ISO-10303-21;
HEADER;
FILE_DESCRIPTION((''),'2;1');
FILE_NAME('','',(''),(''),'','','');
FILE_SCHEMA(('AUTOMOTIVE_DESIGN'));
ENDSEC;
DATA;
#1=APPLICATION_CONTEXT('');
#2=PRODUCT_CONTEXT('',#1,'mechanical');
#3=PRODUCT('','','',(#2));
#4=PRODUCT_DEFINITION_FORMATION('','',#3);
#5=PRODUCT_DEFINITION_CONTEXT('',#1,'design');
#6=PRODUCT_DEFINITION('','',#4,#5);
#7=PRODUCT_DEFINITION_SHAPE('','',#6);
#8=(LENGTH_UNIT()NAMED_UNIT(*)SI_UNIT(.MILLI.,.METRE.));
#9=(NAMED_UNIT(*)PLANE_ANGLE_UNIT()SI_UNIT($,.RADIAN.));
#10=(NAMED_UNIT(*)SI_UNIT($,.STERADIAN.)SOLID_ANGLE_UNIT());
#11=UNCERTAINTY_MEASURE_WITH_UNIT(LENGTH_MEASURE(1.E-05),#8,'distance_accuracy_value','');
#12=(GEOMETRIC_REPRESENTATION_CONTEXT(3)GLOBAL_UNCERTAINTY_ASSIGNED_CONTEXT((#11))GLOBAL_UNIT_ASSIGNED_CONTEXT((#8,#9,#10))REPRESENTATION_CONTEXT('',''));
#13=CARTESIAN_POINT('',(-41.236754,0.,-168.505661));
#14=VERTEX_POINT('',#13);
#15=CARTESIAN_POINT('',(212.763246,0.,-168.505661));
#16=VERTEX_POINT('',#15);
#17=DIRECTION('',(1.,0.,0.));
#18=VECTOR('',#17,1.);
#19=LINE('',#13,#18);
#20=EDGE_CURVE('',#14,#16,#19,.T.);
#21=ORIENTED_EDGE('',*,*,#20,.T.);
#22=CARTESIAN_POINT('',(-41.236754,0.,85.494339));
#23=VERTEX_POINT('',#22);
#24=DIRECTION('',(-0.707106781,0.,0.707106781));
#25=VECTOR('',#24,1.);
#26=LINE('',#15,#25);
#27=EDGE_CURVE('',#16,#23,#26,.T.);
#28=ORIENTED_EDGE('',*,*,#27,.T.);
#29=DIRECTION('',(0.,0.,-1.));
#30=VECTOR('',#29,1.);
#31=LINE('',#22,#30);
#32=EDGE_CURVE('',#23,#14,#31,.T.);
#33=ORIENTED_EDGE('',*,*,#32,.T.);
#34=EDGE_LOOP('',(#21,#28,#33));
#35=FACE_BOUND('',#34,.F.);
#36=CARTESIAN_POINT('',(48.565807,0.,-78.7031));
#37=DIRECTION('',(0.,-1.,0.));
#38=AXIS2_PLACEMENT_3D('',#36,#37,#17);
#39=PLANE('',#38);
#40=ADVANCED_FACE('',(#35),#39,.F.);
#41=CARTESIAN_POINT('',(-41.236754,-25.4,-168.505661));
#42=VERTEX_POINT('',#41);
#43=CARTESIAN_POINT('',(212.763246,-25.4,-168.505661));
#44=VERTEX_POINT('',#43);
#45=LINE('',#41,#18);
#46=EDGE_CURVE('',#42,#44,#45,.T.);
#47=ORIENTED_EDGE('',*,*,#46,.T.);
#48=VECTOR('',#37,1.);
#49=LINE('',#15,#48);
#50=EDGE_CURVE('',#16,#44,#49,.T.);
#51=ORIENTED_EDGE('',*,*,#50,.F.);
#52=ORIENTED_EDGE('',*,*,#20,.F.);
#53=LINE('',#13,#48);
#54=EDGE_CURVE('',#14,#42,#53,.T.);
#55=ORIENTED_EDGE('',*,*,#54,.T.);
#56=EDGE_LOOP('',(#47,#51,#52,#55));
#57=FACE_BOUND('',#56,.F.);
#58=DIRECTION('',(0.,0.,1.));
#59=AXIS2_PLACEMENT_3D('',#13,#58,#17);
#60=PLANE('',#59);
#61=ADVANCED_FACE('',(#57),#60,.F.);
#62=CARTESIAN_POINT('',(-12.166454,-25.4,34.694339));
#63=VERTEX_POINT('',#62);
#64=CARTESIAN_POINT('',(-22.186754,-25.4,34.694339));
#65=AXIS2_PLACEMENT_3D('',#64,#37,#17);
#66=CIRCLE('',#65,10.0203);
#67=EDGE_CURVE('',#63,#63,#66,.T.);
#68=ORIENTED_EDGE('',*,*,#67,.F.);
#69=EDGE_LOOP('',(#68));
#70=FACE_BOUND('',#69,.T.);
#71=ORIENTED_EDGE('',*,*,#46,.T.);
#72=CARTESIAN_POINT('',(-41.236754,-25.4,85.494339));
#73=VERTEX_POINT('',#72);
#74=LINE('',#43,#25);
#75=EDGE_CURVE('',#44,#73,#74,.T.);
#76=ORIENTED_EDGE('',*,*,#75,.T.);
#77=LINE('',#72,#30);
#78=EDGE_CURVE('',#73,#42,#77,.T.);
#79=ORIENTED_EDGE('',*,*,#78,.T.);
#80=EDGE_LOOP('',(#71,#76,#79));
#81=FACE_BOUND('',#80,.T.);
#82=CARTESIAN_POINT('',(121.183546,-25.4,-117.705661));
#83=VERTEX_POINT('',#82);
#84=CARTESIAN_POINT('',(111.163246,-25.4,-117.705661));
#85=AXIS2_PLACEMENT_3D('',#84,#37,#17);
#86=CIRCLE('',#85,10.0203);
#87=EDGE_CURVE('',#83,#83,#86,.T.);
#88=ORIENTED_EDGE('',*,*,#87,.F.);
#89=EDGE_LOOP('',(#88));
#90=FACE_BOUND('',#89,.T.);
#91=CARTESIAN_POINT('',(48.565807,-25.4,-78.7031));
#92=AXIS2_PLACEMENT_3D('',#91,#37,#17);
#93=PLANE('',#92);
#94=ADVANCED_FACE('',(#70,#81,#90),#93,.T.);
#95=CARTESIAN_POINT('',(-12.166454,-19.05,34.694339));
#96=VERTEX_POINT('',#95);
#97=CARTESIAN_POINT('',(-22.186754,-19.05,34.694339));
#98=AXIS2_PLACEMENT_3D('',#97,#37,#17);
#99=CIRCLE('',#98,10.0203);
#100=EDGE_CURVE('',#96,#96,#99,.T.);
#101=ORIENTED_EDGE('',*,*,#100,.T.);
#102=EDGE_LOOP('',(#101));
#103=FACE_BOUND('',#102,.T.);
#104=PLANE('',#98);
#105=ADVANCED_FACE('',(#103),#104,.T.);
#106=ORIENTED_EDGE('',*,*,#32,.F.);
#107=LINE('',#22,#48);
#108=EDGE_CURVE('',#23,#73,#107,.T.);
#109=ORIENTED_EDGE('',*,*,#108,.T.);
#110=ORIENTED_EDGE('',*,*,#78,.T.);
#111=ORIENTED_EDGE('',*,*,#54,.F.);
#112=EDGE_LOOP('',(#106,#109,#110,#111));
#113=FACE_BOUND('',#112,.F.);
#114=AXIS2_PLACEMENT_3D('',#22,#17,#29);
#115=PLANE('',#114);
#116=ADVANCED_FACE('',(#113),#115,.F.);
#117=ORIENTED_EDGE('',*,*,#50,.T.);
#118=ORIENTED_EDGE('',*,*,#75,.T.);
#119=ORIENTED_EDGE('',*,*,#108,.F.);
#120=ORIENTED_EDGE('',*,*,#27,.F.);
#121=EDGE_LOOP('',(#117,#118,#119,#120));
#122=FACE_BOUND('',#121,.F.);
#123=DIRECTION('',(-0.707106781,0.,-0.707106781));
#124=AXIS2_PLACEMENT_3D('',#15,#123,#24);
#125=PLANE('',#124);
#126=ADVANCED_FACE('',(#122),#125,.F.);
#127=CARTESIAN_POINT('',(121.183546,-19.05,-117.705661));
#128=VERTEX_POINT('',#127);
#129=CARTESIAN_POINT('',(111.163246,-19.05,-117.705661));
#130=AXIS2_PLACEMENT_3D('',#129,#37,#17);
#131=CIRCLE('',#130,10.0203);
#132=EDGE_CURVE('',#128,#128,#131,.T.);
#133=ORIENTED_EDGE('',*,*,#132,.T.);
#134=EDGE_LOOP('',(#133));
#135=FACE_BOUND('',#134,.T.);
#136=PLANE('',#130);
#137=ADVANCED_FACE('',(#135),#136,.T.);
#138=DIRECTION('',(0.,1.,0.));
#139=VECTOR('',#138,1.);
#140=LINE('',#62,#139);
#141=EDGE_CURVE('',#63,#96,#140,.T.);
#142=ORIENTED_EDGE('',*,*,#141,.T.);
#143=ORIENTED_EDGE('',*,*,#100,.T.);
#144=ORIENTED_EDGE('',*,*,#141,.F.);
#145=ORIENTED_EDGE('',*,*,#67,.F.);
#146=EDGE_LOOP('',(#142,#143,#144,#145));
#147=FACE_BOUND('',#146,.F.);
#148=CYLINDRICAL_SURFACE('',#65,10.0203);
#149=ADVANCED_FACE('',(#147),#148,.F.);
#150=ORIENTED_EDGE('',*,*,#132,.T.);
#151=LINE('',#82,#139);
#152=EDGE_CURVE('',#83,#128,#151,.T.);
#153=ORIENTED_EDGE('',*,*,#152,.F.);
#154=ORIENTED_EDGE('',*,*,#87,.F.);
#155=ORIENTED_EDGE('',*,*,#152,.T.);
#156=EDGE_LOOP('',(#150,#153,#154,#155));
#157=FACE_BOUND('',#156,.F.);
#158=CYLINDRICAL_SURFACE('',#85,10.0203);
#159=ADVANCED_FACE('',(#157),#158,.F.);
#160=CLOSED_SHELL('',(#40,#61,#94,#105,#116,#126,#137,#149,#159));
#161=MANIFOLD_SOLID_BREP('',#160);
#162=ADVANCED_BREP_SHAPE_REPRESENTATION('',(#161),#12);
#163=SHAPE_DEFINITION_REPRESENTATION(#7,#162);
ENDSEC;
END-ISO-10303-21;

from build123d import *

# Parameters (mm, degrees)
F1_DEPTH = 25.4
F2_R     = 10.0203
F3_DEPTH = 6.35


with BuildPart() as f1:
    # F0 (on Front) → F1 (new body)
    with BuildSketch(Plane.XZ):
        Polygon((212.763246, -168.505661), (-41.236754, 85.494339), (-41.236754, -168.505661), align=None)
    extrude(amount=F1_DEPTH)

    # F2 (on face) → F3 (cut)
    with BuildSketch(Plane.XZ.offset(25.4)):
        with Locations((-22.186754, 34.694339)):
            Circle(F2_R)
        with Locations((111.163246, -117.705661)):
            Circle(F2_R)
    extrude(amount=-F3_DEPTH, mode=Mode.SUBTRACT)


solid = f1.part
